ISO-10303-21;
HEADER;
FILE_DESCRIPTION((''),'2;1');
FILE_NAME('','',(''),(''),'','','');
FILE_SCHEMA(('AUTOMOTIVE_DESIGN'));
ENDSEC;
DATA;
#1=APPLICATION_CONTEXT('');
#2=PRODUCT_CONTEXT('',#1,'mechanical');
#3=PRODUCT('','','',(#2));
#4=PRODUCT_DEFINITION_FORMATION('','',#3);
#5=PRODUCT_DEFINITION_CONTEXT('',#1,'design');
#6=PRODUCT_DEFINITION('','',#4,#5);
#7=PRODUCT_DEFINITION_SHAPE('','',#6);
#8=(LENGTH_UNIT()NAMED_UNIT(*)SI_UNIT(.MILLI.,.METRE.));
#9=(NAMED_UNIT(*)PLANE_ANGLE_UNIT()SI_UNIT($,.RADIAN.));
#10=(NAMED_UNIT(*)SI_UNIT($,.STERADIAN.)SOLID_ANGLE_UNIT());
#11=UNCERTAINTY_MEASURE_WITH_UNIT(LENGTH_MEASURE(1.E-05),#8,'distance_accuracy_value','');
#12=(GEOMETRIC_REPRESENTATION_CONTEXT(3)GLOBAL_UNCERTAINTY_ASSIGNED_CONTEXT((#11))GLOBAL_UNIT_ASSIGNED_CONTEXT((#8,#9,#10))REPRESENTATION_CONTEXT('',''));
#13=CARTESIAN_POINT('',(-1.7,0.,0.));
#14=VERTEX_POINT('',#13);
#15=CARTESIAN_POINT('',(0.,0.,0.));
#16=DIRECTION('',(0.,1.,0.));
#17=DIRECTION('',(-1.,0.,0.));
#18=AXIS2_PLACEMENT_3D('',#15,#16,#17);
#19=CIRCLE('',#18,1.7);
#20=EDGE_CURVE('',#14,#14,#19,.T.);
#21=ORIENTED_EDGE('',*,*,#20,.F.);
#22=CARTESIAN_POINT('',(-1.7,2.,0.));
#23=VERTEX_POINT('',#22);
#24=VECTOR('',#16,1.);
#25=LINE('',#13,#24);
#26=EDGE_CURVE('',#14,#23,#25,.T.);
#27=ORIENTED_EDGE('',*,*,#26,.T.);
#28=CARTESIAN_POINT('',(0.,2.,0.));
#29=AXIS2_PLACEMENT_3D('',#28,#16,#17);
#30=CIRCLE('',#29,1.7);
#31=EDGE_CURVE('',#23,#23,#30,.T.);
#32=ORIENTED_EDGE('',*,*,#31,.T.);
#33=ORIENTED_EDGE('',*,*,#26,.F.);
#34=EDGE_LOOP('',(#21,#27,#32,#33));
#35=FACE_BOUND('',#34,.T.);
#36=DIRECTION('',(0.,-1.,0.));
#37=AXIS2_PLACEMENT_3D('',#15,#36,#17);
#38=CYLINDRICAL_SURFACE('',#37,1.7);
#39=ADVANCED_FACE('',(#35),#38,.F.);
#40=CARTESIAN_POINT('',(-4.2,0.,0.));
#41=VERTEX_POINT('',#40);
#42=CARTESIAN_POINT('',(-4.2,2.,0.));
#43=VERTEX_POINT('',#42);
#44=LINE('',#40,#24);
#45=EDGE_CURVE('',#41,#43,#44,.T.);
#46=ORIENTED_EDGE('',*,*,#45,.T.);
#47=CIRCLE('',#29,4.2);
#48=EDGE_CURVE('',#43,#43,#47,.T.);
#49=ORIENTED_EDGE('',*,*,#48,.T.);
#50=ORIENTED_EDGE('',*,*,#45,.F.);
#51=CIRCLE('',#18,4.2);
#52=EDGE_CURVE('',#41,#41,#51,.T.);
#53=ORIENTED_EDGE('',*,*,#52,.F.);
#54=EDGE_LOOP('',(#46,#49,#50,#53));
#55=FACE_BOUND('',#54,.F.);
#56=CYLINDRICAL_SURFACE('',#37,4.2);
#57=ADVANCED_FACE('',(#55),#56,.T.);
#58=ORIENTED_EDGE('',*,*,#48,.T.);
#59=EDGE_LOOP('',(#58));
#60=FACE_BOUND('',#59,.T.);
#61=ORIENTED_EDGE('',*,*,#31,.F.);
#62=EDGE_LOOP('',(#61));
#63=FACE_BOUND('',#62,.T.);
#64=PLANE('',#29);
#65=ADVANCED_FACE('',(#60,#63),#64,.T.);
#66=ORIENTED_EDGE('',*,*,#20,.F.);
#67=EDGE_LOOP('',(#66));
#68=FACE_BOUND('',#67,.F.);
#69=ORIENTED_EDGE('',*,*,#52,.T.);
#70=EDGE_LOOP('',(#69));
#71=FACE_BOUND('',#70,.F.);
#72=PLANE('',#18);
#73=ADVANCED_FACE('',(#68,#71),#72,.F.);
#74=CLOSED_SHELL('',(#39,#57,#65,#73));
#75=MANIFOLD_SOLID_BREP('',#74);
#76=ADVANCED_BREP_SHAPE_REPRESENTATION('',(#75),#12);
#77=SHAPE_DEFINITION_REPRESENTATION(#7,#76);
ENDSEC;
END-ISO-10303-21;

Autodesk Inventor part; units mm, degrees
ref_plane "YZ Plane" through (0, 0, 0) normal (1, 0, 0) x (0, 1, 0)
ref_plane "XZ Plane" through (0, 0, 0) normal (0, 1, 0) x (-1, 0, 0)
ref_plane "XY Plane" through (0, 0, 0) normal (0, 0, 1) x (1, 0, 0)
sketch "Sketch1" plane through (0, 0, 0) normal (0, 1, 0) x (-1, 0, 0)
  circle A0 centre (0, 0) radius 1.7
  circle A1 centre (0, 0) radius 4.2
  dimension "d0" = 3.4
  dimension "d1" = 2.5
extrude "Extrusion1" add sketch "Sketch1" along normal blind 2
equation "\"d0\" = m3_clearance"
equation "\"m3_heat_set_insert\" = 4"
equation "\"m3_clearance\" = 3.4"
equation "\"m3_heat_set_depth\" = 7"
equation "\"robot_diameter\" = 354"
equation "\"hardboard_thickness\" = 5"
equation "\"motor_centerline_height\" = 13"
properties part number "caster_spacer_2mm"
